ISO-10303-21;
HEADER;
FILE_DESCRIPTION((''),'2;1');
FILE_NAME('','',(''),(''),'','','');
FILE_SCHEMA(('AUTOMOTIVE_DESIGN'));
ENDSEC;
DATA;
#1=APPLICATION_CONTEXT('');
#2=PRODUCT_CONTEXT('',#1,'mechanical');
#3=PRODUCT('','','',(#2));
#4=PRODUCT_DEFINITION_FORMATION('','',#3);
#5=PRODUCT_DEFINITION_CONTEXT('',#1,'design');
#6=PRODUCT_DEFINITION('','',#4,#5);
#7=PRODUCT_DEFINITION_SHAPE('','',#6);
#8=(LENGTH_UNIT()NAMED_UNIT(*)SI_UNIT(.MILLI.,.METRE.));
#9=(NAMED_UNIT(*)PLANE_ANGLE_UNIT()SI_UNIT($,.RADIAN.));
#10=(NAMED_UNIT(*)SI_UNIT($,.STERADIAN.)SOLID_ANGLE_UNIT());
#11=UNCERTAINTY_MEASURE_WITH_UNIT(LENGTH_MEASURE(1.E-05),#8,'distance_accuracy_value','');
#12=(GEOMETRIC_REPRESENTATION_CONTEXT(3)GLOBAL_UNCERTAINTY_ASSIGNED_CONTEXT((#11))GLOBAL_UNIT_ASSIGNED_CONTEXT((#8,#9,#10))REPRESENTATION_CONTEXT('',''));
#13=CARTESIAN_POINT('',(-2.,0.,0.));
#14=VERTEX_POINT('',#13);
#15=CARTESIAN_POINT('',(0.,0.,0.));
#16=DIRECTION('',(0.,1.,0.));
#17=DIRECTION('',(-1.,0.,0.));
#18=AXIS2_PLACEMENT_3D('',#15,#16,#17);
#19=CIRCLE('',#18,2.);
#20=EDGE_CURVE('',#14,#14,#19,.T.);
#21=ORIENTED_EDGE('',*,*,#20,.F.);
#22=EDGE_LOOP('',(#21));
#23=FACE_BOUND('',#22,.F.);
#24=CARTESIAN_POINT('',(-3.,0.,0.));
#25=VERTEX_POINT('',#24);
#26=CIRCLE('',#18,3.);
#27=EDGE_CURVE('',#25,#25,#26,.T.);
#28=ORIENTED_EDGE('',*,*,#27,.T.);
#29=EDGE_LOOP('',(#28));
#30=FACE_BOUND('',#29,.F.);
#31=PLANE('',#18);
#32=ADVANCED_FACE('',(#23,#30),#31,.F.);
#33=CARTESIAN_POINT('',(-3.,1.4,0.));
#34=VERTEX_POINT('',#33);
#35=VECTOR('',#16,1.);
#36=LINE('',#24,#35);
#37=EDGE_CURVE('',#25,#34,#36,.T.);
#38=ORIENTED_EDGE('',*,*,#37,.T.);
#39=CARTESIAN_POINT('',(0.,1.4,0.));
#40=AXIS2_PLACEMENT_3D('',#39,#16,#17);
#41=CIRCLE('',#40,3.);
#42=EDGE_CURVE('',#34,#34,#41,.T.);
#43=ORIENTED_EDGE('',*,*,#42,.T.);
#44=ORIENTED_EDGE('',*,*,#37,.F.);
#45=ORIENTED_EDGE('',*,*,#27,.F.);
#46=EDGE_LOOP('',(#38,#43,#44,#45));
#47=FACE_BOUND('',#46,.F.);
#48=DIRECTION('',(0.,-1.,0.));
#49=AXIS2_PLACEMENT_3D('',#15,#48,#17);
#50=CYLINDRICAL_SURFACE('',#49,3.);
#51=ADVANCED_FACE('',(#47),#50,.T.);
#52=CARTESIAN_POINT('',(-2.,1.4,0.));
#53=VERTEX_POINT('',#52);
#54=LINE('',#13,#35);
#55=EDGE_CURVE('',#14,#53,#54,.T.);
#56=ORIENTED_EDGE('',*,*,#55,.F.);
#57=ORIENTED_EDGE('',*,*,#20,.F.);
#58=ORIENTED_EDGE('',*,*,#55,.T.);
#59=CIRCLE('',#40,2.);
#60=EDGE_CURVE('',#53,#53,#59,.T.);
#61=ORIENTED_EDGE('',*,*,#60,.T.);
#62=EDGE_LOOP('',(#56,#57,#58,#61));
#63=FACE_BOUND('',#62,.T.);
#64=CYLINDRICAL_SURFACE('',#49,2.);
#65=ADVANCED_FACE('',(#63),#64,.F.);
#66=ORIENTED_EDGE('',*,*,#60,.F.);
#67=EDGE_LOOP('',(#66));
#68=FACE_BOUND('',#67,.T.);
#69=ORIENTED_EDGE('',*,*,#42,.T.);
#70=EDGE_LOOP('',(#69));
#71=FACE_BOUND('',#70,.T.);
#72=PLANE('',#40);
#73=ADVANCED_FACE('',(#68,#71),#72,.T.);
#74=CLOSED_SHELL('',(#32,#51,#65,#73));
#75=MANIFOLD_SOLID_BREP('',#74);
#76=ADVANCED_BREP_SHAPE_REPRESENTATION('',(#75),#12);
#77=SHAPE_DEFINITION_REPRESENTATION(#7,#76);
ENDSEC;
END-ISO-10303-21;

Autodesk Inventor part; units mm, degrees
ref_plane "YZ Plane" through (0, 0, 0) normal (1, 0, 0) x (0, 1, 0)
ref_plane "XZ Plane" through (0, 0, 0) normal (0, 1, 0) x (-1, 0, 0)
ref_plane "XY Plane" through (0, 0, 0) normal (0, 0, 1) x (1, 0, 0)
sketch "Sketch1" plane through (0, 0, 0) normal (0, 1, 0) x (-1, 0, 0)
  circle A0 centre (0, 0) radius 2
  circle A1 centre (0, 0) radius 3
  dimension "d0" = 4
  dimension "d1" = 6
extrude "Extrusion1" add sketch "Sketch1" along normal blind 1.4
properties part number "GearSpacer2"
